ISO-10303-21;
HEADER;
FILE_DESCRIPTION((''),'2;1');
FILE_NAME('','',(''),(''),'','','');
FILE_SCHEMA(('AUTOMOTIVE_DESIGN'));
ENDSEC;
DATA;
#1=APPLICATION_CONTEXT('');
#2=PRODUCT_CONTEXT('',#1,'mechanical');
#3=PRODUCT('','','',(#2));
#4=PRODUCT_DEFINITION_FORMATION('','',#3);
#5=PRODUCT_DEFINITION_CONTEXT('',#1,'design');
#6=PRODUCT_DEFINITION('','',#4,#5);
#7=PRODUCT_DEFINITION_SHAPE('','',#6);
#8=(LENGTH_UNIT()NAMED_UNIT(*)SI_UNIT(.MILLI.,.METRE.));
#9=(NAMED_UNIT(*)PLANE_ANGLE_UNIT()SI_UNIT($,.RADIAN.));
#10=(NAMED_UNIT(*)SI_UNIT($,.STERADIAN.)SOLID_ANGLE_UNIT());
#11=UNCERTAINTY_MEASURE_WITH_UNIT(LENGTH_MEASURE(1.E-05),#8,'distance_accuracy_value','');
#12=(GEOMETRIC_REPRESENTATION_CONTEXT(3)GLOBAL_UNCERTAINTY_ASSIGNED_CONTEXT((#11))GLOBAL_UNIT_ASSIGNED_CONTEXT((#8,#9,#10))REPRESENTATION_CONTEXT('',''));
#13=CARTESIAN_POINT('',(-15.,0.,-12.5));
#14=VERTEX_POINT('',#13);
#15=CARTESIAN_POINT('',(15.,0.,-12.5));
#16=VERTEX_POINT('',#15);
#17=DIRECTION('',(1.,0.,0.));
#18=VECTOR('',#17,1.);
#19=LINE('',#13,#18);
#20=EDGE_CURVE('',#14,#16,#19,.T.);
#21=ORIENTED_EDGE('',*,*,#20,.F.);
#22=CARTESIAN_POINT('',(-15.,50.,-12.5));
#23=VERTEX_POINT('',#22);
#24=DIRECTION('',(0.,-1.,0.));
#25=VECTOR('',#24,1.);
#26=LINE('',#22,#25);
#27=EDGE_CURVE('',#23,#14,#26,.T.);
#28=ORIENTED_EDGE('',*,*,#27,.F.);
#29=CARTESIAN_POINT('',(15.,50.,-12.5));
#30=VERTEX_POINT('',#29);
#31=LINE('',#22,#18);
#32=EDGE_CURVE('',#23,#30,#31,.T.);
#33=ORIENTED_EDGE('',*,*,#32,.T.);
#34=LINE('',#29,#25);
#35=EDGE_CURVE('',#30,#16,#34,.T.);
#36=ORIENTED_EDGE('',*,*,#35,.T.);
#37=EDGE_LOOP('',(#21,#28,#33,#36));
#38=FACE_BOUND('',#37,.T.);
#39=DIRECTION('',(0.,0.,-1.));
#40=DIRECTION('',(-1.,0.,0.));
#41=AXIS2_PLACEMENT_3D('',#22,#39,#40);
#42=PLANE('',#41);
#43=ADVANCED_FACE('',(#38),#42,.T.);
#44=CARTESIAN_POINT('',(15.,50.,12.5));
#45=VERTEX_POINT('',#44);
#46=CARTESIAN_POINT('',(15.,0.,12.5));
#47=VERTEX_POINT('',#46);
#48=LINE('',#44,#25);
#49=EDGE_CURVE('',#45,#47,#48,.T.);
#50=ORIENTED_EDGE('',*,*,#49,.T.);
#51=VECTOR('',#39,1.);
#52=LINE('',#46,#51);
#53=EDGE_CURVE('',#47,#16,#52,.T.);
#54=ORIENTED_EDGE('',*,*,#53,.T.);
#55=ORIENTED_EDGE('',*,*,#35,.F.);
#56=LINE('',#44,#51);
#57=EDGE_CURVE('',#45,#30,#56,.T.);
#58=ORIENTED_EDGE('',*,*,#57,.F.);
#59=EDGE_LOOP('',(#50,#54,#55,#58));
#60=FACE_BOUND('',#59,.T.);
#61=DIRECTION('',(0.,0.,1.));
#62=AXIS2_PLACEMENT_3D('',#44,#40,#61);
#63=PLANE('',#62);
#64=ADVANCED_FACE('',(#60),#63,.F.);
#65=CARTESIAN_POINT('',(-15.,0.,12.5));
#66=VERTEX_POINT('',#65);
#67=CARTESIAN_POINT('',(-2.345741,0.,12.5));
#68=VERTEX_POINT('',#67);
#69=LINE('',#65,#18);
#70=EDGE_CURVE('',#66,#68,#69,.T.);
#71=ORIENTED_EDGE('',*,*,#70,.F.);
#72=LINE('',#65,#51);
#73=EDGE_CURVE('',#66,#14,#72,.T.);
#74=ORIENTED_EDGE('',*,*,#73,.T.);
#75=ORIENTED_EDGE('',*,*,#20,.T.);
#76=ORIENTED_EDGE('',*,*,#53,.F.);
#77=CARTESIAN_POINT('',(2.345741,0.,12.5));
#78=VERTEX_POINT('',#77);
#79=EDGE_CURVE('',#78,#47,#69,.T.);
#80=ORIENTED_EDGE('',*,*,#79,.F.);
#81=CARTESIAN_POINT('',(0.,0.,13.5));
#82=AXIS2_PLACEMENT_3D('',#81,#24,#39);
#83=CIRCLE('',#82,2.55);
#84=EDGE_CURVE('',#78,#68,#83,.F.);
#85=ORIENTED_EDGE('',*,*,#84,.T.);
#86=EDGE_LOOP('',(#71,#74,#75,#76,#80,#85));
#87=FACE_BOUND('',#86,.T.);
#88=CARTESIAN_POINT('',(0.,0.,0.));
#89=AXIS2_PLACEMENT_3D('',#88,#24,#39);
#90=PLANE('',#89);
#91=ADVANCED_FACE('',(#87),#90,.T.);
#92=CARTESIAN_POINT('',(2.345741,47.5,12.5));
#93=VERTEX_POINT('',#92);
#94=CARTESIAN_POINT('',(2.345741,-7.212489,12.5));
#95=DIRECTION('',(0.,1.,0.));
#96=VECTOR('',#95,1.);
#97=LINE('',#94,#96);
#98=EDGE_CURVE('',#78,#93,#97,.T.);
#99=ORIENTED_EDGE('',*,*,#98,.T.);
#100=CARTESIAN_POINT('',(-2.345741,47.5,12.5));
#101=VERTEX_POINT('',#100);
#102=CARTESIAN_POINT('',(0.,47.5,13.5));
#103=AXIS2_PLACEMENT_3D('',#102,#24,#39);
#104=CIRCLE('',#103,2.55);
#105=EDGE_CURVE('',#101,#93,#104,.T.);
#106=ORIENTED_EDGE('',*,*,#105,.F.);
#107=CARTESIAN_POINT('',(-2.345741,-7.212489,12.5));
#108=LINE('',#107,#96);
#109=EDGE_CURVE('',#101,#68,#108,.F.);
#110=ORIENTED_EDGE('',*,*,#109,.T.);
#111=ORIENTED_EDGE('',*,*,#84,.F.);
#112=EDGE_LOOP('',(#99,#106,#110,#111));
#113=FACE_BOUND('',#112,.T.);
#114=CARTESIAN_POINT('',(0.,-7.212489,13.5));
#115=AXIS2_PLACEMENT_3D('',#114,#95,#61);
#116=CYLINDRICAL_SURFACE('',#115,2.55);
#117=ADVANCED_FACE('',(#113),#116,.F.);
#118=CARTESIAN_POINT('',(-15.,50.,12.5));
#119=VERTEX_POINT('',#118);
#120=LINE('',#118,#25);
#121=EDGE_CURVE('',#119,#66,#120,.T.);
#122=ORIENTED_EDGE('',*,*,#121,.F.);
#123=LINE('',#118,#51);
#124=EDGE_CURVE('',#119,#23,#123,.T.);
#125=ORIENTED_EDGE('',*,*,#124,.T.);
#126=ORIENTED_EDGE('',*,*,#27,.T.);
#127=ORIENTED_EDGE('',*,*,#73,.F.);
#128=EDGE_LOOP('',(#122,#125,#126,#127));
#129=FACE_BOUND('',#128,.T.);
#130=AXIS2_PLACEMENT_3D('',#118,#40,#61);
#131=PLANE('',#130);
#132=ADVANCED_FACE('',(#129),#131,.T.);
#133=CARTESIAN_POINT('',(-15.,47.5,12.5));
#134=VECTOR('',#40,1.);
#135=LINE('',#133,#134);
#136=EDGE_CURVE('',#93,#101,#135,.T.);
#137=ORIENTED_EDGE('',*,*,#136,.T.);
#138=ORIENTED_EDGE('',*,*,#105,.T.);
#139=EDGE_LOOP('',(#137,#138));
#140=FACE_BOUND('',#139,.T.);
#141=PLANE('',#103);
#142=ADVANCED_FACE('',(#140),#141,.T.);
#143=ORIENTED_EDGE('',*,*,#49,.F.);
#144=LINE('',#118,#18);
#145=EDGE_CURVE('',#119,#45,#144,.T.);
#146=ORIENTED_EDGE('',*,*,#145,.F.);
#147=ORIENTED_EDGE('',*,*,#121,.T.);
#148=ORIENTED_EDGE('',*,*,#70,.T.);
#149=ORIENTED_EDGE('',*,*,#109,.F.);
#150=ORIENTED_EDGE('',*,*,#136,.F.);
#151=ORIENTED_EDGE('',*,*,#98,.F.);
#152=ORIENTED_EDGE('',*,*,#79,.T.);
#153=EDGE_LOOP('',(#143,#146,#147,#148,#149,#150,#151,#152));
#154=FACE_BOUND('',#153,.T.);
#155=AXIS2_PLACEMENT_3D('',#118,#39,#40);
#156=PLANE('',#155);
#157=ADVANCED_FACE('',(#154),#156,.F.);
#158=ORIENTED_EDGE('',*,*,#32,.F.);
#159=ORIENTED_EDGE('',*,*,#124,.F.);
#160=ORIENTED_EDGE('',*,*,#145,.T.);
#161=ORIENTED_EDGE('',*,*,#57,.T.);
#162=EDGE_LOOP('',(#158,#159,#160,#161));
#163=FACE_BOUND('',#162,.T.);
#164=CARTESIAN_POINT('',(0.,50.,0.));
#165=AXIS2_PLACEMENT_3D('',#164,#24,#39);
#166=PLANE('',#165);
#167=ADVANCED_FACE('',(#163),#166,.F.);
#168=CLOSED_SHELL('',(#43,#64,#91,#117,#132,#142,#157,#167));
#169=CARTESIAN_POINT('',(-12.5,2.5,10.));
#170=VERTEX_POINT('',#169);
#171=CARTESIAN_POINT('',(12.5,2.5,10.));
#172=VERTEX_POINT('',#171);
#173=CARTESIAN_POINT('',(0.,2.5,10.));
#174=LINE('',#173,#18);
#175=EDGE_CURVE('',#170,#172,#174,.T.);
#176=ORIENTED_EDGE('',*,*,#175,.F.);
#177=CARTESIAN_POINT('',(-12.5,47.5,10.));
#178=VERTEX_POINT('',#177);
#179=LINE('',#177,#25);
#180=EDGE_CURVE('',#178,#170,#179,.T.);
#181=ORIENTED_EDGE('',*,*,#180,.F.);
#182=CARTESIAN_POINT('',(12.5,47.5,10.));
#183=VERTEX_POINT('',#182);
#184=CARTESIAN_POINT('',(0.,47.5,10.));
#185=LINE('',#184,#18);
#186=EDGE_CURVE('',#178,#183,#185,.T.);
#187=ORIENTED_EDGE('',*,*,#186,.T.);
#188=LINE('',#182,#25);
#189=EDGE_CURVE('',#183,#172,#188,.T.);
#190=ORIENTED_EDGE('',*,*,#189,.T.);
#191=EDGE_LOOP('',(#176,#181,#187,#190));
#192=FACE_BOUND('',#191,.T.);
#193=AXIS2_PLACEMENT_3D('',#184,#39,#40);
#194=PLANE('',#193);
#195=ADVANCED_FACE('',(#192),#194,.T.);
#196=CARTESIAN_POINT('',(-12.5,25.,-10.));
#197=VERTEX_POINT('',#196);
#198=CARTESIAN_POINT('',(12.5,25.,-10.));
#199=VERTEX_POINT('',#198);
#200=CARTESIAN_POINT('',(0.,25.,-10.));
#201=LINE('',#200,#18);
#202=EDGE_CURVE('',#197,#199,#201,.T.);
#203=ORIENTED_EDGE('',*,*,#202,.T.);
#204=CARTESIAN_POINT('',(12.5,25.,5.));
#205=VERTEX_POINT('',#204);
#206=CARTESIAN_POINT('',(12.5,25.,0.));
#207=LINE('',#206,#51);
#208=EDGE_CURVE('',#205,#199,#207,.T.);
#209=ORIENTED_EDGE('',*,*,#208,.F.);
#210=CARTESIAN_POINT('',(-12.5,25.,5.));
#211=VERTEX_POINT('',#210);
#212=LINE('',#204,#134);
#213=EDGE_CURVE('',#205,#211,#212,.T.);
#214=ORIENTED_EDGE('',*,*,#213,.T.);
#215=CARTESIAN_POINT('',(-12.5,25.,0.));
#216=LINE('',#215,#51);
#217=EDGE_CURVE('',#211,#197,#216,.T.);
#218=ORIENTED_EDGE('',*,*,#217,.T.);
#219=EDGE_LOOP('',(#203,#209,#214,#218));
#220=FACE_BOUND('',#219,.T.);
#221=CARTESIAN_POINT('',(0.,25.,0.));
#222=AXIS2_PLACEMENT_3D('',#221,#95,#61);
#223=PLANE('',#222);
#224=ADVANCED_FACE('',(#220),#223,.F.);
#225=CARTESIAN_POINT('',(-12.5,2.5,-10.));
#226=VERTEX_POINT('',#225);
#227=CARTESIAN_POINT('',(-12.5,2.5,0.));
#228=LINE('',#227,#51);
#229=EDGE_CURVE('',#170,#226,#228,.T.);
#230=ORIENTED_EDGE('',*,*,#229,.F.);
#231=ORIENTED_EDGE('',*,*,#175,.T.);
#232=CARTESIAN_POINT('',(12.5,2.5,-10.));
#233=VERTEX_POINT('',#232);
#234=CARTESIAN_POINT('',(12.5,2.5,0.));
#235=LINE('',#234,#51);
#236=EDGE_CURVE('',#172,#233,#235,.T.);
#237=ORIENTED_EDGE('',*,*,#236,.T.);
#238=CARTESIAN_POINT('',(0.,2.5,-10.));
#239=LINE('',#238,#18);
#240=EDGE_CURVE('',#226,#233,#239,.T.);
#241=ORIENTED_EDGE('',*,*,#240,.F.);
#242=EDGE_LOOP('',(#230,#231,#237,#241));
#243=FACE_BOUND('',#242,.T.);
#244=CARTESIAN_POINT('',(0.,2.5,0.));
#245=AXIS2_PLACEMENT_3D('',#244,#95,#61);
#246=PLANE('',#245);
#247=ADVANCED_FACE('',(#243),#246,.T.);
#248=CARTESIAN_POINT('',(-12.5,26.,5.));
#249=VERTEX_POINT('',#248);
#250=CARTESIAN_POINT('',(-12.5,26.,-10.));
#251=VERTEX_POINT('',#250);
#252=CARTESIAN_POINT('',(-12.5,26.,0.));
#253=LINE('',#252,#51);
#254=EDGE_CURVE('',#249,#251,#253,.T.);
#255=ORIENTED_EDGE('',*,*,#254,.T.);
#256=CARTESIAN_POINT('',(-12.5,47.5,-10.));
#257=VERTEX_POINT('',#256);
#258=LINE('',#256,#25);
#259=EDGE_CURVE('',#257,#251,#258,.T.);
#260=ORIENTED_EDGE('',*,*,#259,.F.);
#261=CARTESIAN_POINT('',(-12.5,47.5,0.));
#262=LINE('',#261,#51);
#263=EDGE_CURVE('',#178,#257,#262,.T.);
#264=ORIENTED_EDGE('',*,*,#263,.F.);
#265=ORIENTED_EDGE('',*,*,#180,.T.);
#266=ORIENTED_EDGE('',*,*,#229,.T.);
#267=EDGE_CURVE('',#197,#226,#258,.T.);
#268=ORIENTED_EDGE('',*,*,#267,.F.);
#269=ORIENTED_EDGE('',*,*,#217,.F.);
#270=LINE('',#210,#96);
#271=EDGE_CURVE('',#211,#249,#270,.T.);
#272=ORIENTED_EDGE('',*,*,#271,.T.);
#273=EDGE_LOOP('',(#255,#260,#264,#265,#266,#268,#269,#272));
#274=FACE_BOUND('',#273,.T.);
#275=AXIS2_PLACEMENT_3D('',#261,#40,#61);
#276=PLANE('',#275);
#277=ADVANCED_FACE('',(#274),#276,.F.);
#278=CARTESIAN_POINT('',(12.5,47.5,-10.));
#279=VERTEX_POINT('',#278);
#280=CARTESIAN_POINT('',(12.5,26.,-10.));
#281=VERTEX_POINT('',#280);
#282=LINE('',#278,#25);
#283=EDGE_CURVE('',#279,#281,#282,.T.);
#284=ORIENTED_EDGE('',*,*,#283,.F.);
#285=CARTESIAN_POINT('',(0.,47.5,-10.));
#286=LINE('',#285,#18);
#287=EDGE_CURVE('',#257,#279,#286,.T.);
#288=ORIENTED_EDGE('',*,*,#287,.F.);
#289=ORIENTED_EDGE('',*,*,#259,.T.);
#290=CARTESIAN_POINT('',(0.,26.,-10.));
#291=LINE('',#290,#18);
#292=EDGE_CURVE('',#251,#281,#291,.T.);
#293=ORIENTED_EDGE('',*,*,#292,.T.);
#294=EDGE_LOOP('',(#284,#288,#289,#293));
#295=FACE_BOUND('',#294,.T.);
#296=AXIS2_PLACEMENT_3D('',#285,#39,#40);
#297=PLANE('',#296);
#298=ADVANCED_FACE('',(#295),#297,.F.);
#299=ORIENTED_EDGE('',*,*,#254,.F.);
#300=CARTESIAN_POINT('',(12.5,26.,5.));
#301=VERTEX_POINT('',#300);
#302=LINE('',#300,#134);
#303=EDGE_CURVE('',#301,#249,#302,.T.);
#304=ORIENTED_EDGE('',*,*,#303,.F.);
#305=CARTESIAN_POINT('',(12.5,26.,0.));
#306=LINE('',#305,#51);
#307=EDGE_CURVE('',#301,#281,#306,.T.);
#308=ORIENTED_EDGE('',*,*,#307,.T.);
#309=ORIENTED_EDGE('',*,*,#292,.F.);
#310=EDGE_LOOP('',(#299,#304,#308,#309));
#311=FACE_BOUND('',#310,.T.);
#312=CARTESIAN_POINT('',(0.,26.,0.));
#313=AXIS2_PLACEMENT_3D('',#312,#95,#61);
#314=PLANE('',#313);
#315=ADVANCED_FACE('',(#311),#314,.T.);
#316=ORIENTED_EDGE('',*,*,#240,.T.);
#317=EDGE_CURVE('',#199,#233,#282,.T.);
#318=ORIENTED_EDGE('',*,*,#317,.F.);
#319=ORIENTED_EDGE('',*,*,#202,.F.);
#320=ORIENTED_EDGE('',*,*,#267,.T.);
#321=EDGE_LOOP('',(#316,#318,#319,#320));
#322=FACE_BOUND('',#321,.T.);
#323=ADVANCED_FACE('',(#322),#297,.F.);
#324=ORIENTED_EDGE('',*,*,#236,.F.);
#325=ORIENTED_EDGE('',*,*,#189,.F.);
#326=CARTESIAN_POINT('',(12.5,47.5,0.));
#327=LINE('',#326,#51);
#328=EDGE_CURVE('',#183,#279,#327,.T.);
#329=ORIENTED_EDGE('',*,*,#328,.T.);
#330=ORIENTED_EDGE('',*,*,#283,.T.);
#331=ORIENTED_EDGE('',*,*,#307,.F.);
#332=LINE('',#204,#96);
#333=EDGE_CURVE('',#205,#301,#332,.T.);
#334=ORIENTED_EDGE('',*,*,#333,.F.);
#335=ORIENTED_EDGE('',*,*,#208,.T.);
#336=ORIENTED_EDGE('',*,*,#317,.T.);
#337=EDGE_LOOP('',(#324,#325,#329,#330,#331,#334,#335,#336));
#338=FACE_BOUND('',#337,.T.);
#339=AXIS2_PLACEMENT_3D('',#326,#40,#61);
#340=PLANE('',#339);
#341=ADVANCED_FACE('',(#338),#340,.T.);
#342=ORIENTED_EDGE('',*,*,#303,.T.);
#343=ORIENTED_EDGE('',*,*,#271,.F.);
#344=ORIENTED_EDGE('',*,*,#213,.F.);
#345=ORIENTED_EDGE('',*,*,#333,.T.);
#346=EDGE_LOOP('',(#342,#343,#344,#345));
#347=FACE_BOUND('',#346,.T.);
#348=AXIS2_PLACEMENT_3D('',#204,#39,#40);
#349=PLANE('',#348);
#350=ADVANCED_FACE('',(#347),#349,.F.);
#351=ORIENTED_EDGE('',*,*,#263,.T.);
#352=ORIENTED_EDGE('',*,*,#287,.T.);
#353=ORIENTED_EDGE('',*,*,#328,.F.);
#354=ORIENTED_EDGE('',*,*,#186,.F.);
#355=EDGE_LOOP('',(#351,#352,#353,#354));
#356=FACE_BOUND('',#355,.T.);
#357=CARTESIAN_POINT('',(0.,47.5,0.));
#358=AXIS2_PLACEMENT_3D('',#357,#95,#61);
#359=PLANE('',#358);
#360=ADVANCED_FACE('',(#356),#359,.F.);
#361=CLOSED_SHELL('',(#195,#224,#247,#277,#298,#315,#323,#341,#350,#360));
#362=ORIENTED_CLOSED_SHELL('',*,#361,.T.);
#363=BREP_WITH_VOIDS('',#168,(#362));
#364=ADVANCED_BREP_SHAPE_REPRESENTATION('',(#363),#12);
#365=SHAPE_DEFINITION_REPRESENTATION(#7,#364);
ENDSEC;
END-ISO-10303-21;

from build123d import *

# Parameters (mm, degrees)
SKETCH1_W           = 30
SKETCH1_H           = 25
BOSS_EXTRUDE1_DEPTH = 50
CUT_EXTRUDE2_START  = 2.5
SKETCH1_5_W         = 25
SKETCH1_5_H         = 20
CUT_EXTRUDE2_DEPTH  = 45
BOSS_EXTRUDE3_START = 25
SKETCH1_6_W         = 25
SKETCH1_6_H         = 20
BOSS_EXTRUDE3_DEPTH = 1
SKETCH2_R           = 2.55
CUT_EXTRUDE3_DEPTH  = 47.5
SKETCH4_W           = 25
SKETCH4_H           = 5
CUT_EXTRUDE4_DEPTH  = 1


with BuildPart() as part:
    # Sketch1 → Boss-Extrude1 (new body)
    with BuildSketch(Plane(origin=(0, 0, 0), x_dir=(1, 0, 0), z_dir=(0, 1, 0))):
        Rectangle(SKETCH1_W, SKETCH1_H)
    extrude(amount=BOSS_EXTRUDE1_DEPTH)

    # Sketch1<5> → Cut-Extrude2 (cut)
    with BuildSketch(Plane(origin=(0, 0, 0), x_dir=(1, 0, 0), z_dir=(0, 1, 0)).offset(CUT_EXTRUDE2_START)):
        Rectangle(SKETCH1_5_W, SKETCH1_5_H)
    extrude(amount=CUT_EXTRUDE2_DEPTH, mode=Mode.SUBTRACT)

    # Sketch1<6> → Boss-Extrude3 (add)
    with BuildSketch(Plane(origin=(0, 0, 0), x_dir=(1, 0, 0), z_dir=(0, 1, 0)).offset(BOSS_EXTRUDE3_START)):
        Rectangle(SKETCH1_6_W, SKETCH1_6_H)
    extrude(amount=BOSS_EXTRUDE3_DEPTH)

    # Sketch2 → Cut-Extrude3 (cut)
    with BuildSketch(Plane(origin=(0, 47.5, 0), x_dir=(-1, 0, 0), z_dir=(0, -1, 0))):
        with Locations((0, -13.5)):
            Circle(SKETCH2_R)
    extrude(amount=CUT_EXTRUDE3_DEPTH, mode=Mode.SUBTRACT)

    # Sketch4 → Cut-Extrude4 (cut)
    with BuildSketch(Plane(origin=(0, 26, 0), x_dir=(1, 0, 0), z_dir=(0, 1, 0))):
        with Locations((0, -7.5)):
            Rectangle(SKETCH4_W, SKETCH4_H)
    extrude(amount=-CUT_EXTRUDE4_DEPTH, mode=Mode.SUBTRACT)


solid = part.part
